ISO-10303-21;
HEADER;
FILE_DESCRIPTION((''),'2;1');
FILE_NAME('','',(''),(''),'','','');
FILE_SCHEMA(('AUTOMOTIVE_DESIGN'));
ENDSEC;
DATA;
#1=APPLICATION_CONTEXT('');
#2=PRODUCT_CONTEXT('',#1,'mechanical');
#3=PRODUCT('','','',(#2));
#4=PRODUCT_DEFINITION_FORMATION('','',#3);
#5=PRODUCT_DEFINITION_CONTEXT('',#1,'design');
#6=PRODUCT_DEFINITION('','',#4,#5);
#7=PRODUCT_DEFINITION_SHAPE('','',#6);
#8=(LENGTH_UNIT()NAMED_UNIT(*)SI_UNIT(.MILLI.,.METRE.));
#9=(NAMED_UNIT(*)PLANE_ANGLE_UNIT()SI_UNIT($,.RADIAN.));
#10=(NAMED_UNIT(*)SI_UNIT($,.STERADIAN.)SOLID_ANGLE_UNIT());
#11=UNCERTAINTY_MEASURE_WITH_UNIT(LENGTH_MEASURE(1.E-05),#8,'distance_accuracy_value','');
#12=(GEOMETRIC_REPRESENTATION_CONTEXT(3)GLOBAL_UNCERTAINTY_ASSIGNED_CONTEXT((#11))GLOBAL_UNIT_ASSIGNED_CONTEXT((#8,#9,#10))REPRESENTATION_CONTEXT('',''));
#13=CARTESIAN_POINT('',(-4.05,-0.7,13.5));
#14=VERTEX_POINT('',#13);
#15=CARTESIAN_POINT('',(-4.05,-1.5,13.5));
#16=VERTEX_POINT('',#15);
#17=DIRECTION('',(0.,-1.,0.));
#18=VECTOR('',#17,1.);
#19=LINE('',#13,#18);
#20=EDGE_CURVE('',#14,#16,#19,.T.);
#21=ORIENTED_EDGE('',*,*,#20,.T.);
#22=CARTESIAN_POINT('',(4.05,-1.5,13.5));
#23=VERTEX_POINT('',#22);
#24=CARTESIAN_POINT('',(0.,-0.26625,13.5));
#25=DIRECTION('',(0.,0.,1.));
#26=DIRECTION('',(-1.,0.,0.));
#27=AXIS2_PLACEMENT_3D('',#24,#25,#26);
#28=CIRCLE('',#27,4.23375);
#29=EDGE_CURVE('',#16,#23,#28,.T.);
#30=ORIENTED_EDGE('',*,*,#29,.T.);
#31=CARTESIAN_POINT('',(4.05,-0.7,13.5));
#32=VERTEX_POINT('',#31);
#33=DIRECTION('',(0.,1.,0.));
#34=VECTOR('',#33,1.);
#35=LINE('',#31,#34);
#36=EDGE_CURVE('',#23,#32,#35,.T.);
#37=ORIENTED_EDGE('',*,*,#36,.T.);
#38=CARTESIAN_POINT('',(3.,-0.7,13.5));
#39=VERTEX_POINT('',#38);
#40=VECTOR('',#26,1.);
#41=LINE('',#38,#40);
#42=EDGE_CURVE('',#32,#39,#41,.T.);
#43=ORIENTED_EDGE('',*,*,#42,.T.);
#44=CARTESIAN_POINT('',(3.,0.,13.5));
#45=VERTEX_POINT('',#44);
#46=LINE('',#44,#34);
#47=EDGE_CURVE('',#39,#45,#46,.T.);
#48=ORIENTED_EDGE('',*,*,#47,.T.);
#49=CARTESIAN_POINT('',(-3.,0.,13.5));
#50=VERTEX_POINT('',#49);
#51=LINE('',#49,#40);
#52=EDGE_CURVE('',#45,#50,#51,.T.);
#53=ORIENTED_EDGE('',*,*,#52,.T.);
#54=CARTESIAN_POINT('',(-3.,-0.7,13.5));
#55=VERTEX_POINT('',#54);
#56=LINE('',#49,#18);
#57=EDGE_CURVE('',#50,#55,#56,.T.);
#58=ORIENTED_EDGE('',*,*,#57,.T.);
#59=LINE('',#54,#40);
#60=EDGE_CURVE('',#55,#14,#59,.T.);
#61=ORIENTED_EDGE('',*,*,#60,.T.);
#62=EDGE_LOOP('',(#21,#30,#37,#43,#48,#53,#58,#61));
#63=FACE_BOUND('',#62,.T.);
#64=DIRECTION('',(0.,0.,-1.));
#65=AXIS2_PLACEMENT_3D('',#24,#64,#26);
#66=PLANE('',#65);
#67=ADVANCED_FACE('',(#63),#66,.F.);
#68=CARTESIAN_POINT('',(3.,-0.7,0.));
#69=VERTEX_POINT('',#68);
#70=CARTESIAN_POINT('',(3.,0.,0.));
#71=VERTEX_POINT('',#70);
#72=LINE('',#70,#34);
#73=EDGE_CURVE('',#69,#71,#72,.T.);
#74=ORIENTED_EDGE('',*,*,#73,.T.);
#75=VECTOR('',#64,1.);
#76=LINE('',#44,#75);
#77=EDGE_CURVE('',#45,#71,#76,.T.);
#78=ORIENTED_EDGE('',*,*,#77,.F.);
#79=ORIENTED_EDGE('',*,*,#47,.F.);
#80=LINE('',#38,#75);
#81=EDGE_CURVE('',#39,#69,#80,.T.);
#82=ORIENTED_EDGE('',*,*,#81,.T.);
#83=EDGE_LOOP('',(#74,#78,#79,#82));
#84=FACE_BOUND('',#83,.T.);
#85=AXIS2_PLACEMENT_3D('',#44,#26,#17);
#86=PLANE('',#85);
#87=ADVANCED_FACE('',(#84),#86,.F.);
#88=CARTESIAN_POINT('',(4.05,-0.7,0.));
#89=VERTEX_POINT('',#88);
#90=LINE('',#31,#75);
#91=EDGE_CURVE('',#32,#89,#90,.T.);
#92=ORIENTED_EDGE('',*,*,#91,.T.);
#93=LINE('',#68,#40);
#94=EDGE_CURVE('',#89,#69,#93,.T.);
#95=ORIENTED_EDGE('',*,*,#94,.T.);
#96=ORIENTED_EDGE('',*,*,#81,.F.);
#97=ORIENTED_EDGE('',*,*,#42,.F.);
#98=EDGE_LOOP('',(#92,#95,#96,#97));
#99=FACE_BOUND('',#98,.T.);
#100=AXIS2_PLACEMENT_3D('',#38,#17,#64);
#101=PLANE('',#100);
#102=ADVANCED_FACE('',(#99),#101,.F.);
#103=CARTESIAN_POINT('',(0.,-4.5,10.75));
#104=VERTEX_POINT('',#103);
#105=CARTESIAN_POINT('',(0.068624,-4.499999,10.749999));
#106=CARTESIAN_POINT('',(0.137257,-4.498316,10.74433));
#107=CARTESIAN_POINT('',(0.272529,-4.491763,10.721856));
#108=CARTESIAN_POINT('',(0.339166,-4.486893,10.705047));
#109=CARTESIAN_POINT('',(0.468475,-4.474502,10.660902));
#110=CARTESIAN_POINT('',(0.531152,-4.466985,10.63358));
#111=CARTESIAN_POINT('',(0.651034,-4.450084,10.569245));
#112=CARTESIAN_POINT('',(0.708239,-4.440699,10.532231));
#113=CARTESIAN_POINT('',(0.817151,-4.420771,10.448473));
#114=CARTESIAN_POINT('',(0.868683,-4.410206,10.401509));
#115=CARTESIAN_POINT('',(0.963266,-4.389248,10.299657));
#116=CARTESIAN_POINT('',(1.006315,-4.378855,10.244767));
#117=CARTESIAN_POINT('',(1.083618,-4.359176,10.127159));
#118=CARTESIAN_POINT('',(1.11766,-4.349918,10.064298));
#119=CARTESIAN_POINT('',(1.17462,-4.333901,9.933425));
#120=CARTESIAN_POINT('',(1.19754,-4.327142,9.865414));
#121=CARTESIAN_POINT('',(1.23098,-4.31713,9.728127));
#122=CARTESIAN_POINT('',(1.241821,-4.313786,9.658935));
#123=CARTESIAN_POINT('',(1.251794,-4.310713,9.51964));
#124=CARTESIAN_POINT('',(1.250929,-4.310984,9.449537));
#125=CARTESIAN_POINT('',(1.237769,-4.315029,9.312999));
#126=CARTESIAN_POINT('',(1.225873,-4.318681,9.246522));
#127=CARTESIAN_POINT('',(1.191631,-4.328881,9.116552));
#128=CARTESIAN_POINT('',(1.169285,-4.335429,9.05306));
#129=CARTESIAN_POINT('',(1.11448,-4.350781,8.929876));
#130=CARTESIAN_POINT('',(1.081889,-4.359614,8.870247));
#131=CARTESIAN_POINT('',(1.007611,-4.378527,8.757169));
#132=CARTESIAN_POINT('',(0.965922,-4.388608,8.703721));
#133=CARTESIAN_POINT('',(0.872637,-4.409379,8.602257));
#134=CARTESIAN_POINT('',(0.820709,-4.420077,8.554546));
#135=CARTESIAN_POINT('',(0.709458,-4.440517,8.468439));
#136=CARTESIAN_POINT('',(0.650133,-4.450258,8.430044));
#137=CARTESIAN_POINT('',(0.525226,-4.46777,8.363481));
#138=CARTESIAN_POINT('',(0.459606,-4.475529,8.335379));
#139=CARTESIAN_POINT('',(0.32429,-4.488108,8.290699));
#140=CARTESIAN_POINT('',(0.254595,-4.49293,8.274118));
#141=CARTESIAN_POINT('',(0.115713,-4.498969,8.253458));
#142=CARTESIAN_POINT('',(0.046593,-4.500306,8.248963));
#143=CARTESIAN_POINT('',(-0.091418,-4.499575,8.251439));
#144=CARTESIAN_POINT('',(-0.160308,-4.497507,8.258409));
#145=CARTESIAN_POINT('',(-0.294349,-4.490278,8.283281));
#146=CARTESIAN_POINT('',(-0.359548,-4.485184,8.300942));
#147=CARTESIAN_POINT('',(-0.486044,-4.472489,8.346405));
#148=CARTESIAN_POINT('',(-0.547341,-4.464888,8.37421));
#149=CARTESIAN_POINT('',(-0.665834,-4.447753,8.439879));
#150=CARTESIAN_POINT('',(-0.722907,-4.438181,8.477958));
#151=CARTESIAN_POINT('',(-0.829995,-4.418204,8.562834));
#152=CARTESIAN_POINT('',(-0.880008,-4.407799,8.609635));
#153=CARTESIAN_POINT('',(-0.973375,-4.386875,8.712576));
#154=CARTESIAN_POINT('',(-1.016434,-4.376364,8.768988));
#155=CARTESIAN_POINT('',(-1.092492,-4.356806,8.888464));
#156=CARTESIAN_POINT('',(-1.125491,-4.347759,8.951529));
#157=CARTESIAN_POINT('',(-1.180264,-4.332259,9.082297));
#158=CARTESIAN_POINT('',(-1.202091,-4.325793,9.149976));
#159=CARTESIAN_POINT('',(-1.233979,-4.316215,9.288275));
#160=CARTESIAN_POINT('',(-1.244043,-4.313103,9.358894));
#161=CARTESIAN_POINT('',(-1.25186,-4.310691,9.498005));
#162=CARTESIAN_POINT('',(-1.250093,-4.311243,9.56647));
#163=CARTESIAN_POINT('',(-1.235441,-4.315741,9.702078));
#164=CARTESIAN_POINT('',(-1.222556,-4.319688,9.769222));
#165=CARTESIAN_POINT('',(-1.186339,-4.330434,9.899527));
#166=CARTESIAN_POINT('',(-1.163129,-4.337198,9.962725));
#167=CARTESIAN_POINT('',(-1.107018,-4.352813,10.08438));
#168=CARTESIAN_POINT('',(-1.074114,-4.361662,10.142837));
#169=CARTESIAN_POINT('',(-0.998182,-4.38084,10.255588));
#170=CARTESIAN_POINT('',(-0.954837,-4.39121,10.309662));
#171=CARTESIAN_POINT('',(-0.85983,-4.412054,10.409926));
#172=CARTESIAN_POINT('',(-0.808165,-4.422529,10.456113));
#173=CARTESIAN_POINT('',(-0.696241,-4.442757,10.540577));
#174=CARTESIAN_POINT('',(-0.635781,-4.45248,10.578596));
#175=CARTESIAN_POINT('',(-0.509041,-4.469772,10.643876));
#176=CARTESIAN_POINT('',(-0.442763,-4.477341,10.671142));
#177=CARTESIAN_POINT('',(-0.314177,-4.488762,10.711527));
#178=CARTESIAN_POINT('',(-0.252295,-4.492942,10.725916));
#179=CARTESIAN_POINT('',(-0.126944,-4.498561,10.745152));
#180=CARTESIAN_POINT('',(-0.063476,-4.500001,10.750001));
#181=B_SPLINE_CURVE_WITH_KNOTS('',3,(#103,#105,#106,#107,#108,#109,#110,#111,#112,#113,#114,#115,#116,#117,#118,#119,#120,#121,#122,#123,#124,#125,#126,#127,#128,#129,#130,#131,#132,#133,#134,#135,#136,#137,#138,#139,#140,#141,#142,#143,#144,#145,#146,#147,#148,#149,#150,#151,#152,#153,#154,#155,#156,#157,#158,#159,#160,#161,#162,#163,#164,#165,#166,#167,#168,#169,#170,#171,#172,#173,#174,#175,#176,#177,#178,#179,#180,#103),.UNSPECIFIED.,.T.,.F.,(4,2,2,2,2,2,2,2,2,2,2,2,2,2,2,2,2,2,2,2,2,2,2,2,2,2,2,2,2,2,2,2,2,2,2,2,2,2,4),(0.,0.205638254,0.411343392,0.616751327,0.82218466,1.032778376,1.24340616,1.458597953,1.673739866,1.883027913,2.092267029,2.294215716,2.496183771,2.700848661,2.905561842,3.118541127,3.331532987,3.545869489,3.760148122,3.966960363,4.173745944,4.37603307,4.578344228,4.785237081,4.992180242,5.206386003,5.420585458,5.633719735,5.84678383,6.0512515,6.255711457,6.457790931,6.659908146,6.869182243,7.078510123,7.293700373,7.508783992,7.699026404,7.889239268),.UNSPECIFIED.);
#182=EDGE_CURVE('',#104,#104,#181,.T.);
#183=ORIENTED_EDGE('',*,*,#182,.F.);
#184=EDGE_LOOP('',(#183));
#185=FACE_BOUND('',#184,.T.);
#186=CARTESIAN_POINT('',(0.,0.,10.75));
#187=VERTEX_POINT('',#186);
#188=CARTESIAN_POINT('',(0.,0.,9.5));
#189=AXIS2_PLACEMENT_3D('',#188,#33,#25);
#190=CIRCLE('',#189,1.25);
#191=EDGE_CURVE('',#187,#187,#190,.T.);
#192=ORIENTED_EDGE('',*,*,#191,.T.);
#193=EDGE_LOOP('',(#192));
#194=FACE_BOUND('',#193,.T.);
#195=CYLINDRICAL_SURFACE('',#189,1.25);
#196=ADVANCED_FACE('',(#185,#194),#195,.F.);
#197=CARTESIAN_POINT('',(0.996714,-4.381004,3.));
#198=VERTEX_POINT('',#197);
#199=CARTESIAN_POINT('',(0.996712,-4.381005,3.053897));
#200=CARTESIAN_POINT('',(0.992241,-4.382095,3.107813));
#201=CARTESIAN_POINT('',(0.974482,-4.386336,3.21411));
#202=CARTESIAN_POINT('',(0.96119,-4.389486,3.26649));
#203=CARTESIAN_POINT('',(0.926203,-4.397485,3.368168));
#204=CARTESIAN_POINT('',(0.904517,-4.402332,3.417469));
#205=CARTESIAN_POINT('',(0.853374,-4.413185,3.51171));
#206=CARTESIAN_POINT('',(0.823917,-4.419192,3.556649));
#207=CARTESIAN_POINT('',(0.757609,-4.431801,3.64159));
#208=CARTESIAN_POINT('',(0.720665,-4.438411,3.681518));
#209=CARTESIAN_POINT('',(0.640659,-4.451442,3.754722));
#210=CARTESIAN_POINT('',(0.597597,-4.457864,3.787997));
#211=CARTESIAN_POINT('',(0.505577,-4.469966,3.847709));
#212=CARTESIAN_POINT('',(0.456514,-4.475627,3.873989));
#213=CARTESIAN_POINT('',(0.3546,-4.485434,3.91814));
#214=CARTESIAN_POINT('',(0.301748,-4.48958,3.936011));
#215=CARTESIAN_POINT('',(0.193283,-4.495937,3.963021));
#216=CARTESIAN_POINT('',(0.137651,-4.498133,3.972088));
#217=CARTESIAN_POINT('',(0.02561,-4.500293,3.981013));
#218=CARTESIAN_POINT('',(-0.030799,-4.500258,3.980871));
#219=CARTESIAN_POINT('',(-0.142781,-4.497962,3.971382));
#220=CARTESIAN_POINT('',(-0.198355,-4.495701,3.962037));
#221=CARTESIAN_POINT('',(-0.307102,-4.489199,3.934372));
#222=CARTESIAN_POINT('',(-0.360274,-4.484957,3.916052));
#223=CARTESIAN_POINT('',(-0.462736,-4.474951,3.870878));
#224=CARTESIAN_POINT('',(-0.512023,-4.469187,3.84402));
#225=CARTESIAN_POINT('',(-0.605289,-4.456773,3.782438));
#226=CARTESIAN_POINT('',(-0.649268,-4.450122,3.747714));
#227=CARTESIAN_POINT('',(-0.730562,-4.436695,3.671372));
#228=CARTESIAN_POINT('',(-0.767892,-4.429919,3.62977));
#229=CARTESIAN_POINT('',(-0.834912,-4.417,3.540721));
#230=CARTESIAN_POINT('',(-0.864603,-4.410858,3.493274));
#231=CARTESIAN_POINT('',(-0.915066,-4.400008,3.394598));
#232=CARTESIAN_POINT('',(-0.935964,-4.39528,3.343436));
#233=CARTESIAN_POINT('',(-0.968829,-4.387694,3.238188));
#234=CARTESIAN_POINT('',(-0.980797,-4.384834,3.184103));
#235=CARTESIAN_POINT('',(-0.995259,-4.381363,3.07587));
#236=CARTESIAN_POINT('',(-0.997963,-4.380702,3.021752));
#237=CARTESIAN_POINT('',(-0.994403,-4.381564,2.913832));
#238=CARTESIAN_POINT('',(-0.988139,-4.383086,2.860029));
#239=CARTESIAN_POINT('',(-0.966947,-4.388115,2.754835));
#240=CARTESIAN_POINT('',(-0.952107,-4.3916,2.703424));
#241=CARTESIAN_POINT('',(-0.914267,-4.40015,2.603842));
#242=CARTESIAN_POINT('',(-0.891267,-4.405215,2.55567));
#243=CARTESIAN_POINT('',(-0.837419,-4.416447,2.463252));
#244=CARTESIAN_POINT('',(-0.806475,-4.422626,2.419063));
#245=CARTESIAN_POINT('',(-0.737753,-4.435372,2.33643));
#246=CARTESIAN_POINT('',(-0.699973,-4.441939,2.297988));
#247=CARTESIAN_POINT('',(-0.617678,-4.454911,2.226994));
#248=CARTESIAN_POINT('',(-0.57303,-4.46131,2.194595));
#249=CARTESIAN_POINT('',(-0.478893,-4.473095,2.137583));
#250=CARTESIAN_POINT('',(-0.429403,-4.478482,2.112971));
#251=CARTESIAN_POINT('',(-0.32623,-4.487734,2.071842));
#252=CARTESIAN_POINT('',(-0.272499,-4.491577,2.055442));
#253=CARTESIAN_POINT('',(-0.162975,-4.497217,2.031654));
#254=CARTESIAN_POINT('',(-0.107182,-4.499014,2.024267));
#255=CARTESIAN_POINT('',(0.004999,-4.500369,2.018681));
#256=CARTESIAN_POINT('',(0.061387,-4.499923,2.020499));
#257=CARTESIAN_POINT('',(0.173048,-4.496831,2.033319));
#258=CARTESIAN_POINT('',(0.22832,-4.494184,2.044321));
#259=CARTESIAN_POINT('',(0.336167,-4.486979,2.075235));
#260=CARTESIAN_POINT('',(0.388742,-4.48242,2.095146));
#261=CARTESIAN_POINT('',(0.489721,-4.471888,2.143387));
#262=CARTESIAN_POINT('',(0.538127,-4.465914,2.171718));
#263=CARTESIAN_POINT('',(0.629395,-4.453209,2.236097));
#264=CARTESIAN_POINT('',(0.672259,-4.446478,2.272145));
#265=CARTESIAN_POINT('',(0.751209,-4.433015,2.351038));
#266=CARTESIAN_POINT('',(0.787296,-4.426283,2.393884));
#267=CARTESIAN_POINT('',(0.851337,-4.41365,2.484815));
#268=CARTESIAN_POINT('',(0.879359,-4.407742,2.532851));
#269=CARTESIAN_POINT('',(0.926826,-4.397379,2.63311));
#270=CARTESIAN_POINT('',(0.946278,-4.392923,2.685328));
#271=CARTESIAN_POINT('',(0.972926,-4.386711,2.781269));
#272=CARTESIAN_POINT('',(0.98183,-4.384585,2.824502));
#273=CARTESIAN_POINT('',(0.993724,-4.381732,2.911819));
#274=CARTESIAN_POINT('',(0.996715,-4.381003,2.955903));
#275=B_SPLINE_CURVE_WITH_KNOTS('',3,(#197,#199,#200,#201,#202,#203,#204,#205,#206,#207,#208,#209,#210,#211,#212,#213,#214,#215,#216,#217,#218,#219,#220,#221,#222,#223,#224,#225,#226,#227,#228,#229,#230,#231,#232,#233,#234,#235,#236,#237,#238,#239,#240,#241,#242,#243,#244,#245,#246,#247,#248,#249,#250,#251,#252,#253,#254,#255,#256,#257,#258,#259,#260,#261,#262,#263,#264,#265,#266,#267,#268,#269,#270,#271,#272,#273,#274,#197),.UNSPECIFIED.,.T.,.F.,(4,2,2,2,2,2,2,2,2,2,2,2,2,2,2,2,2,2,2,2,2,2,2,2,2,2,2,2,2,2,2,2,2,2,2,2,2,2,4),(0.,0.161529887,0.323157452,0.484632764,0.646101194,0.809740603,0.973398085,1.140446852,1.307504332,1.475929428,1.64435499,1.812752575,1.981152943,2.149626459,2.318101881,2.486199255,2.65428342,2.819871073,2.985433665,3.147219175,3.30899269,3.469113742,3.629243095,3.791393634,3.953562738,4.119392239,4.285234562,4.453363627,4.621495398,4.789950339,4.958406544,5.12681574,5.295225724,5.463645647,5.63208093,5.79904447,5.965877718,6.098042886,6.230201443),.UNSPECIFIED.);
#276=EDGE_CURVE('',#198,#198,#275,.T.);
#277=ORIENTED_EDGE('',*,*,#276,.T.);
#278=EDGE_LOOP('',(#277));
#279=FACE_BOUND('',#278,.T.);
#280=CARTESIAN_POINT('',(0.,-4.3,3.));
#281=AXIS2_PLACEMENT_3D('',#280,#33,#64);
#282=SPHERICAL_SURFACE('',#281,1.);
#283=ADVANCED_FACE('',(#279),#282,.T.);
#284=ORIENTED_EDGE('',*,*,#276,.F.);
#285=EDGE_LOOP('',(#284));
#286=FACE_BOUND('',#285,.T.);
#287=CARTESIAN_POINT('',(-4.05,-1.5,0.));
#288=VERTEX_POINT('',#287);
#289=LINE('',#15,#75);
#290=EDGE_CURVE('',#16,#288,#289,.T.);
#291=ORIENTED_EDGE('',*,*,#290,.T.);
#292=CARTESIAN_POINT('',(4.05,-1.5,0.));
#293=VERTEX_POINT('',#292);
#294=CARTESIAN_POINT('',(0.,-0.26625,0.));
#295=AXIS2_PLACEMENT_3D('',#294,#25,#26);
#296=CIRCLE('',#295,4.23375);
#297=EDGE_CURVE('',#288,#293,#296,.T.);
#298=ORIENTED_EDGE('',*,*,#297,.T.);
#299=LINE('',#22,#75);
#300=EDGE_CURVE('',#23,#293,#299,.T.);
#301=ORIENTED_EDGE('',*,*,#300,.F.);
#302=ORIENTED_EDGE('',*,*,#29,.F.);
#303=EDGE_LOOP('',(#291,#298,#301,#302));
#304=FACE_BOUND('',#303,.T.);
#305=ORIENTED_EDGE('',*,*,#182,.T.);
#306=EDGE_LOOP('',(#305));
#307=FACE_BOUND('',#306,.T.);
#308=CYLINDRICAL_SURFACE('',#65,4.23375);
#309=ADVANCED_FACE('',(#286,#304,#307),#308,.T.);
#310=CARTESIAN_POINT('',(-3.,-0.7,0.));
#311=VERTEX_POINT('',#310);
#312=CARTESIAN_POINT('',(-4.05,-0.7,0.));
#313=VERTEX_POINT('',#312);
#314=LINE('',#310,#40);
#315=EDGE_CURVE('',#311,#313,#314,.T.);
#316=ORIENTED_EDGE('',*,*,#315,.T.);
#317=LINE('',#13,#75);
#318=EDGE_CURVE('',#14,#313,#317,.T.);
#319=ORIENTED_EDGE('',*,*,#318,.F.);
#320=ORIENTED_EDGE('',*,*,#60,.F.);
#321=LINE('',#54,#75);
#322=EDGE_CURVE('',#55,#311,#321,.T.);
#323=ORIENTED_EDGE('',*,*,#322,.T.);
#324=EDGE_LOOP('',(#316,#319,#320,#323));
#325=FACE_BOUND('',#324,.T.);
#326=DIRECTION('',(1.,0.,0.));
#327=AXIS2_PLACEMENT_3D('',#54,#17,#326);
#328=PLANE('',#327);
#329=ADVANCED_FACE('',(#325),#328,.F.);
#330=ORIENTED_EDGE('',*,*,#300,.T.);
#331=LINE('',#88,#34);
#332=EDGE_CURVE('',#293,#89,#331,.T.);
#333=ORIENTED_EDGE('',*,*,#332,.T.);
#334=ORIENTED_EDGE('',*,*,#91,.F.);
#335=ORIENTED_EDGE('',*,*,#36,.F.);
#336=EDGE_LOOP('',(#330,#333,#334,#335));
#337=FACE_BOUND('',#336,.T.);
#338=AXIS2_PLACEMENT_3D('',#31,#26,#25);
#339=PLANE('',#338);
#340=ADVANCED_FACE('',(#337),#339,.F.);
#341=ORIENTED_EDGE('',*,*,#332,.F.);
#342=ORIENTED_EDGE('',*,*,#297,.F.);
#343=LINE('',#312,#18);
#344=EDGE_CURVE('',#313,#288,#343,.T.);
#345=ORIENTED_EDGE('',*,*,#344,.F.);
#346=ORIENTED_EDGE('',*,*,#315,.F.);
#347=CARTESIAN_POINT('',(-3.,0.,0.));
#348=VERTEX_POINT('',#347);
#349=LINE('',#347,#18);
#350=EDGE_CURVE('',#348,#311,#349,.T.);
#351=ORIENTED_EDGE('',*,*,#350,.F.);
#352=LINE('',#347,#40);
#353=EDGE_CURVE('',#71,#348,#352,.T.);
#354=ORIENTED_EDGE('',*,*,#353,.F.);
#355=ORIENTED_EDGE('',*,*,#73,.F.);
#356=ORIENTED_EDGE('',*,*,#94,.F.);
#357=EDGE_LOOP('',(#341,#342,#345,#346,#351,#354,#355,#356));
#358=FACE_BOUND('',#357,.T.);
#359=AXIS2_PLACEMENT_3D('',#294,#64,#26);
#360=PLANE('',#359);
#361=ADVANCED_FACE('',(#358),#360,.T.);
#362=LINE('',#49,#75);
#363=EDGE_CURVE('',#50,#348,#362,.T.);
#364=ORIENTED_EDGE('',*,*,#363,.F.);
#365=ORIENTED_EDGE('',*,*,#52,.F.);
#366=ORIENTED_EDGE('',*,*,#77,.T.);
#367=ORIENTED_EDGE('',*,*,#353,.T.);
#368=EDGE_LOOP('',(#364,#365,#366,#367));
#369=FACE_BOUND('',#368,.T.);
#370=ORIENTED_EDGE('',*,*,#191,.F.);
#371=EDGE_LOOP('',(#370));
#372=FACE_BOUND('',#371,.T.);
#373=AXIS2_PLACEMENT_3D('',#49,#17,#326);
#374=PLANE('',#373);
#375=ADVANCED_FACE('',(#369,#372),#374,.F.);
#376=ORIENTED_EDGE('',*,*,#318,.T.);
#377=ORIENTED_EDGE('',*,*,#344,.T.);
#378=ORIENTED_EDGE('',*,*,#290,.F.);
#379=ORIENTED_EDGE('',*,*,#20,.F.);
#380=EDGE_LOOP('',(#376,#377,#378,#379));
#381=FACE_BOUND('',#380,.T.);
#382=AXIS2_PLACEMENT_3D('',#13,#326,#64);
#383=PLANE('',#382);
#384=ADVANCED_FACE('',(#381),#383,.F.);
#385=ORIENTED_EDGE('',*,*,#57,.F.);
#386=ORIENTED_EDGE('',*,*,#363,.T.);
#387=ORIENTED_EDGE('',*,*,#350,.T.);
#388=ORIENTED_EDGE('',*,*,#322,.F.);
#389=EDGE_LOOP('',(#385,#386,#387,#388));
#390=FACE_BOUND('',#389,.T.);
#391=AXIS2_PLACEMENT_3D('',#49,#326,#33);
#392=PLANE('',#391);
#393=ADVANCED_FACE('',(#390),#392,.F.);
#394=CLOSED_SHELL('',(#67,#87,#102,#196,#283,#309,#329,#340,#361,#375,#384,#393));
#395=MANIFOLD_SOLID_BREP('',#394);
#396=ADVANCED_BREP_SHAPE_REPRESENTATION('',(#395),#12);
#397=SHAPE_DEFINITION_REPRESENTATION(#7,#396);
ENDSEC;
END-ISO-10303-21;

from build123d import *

# Parameters (mm, degrees)
BOSS_EXTRU_1_DEPTH                        = 13.5
TROU_POUR_TARAUDAGE_POUR_TROU_TARAUD_M3_D = 2.5


with BuildPart() as part:
    # Esquisse1 → Boss.-Extru.1 (new body)
    with BuildSketch(Plane.XY):
        with BuildLine():
            Line((-3, 0), (3, 0))
            Line((3, 0), (3, -0.7))
            Line((3, -0.7), (4.05, -0.7))
            Line((4.05, -0.7), (4.05, -1.5))
            ThreePointArc((4.05, -1.5), (0, -4.5), (-4.05, -1.5))
            Line((-4.05, -1.5), (-4.05, -0.7))
            Line((-4.05, -0.7), (-3, -0.7))
            Line((-3, -0.7), (-3, 0))
        make_face()
    extrude(amount=BOSS_EXTRU_1_DEPTH)

    # Trou pour taraudage pour trou taraudé M31 (through all)
    with Locations(Plane(origin=(0, 0, 0), x_dir=(1, 0, 0), z_dir=(0, 1, 0))):
        with Locations((0, -9.5)):
            Hole(TROU_POUR_TARAUDAGE_POUR_TROU_TARAUD_M3_D / 2)

    # Esquisse4 → Révolution1 (revolve)
    with BuildSketch(Plane(origin=(0, 0, 0), x_dir=(0, 0, -1), z_dir=(1, 0, 0))):
        with BuildLine():
            Line((-3, -3.3), (-3, -5.3))
            ThreePointArc((-3, -5.3), (-2, -4.3), (-3, -3.3))
        make_face()
    revolve(axis=Axis((0, -3.3, 3), (0, -1, 0)))


solid = part.part
